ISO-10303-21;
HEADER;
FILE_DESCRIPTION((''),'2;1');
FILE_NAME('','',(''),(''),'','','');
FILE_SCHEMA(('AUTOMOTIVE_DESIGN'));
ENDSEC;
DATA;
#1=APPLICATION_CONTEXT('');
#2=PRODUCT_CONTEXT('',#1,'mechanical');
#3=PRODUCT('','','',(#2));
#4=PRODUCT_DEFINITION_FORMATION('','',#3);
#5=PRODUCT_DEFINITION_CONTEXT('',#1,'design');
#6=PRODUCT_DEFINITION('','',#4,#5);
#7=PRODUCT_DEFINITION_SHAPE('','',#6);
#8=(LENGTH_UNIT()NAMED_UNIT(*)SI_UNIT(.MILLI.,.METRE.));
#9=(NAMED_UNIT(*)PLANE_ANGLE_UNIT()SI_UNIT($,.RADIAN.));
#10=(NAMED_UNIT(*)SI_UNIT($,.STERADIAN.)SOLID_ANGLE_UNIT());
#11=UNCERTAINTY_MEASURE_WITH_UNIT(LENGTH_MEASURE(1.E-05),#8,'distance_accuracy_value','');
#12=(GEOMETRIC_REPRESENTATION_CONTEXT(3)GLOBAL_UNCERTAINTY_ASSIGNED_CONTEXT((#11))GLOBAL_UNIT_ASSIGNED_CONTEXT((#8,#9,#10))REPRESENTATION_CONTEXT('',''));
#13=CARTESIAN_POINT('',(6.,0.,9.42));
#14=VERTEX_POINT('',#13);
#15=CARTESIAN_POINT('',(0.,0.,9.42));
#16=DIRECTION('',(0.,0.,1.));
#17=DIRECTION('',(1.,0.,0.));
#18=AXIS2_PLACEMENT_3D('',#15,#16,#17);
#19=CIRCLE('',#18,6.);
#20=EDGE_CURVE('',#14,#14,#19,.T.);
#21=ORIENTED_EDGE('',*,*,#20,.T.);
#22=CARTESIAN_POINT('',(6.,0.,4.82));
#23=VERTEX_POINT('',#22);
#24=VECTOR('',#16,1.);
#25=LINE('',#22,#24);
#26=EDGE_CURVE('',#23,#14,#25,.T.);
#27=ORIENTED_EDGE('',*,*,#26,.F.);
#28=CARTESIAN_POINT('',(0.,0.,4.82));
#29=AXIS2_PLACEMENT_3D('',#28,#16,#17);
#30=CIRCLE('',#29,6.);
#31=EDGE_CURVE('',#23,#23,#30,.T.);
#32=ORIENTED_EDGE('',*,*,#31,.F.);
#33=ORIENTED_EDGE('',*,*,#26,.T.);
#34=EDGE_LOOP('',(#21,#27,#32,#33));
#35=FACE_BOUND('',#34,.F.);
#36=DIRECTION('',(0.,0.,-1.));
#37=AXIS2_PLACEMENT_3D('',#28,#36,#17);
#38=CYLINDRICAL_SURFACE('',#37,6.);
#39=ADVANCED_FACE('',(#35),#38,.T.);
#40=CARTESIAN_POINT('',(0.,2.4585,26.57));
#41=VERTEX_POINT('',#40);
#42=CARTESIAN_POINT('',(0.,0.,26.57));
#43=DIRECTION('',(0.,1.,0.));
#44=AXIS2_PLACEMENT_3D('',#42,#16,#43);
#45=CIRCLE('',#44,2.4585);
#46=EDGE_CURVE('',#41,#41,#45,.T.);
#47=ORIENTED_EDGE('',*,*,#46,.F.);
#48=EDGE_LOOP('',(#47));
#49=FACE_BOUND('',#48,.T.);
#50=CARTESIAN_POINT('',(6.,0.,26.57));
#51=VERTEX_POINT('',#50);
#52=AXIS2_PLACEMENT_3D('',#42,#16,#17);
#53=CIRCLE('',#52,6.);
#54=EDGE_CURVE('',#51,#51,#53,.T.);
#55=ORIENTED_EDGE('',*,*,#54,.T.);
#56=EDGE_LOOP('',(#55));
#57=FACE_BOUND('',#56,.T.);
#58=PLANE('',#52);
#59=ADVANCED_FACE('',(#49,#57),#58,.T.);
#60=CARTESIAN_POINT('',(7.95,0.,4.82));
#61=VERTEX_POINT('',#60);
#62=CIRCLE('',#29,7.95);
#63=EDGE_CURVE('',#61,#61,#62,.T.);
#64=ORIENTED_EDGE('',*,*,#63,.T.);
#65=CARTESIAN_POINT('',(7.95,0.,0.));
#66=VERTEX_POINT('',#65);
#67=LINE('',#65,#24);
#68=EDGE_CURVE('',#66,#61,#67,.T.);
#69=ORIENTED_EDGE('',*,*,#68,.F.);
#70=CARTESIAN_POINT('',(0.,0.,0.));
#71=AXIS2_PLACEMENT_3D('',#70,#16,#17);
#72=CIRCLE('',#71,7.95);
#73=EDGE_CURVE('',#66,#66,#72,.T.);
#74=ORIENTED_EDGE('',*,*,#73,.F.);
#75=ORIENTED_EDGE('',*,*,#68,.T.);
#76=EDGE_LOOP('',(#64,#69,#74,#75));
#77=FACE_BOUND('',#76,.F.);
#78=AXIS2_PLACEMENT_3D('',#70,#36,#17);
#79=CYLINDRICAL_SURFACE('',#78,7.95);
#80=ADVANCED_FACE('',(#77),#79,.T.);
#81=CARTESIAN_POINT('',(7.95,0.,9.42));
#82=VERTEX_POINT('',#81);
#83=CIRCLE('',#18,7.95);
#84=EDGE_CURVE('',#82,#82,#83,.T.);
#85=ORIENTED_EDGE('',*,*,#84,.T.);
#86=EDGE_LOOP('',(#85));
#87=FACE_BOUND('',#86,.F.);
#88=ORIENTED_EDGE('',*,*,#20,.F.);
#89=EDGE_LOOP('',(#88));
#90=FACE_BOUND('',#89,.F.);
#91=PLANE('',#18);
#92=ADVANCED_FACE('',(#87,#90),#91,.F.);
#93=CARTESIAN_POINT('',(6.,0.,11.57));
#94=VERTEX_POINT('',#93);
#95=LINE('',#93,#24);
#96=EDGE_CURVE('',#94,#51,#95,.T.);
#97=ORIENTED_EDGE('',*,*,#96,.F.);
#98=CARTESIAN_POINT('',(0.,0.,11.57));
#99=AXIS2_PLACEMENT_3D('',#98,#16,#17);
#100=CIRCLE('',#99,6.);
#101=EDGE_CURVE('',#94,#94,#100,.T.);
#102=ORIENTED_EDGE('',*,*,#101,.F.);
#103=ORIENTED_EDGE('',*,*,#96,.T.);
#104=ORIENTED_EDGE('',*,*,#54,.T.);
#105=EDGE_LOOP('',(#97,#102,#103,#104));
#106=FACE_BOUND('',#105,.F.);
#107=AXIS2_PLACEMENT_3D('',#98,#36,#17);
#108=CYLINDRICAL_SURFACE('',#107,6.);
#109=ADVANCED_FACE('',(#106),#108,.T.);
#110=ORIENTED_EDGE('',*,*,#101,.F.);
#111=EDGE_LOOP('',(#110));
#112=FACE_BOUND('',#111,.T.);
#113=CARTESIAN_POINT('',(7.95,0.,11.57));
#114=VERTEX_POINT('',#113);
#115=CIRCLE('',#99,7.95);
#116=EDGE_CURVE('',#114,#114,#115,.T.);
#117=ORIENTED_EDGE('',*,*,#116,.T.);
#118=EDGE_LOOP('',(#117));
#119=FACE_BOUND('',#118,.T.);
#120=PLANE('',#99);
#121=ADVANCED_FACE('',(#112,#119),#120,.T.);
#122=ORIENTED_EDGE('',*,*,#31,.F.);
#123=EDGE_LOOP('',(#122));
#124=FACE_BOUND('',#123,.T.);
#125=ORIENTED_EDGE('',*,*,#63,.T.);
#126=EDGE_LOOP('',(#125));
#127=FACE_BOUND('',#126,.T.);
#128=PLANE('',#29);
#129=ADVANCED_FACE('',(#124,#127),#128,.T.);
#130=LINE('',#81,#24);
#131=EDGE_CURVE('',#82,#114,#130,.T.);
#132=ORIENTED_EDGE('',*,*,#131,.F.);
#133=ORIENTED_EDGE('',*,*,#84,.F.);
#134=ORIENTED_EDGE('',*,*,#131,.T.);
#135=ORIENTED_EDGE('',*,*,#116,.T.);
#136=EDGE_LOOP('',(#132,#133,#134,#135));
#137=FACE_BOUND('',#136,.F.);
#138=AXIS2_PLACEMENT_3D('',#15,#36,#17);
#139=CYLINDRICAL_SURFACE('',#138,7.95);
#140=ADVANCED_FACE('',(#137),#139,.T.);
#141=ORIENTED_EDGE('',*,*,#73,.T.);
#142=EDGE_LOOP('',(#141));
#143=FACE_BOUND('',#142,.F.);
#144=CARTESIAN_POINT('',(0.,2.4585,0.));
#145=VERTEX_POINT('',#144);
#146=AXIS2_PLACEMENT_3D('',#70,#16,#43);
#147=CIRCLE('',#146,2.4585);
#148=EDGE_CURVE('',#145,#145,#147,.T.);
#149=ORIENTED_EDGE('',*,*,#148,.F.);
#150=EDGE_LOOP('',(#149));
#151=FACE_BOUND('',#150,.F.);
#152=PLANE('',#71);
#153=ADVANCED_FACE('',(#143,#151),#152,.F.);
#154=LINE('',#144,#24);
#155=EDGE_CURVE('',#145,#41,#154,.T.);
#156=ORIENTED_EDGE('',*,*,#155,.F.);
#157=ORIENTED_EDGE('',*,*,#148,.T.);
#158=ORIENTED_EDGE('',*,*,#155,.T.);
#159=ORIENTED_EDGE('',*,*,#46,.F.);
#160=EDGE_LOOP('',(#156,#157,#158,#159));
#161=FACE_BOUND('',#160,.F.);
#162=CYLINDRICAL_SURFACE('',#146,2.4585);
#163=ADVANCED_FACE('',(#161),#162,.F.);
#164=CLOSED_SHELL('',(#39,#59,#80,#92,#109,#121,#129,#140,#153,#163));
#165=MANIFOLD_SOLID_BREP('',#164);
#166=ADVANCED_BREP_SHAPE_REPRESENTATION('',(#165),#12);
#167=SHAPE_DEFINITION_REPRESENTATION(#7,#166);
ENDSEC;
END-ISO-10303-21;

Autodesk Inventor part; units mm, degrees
ref_plane "YZ Plane" through (0, 0, 0) normal (1, 0, 0) x (0, 1, 0)
ref_plane "XZ Plane" through (0, 0, 0) normal (0, 1, 0) x (-1, 0, 0)
ref_plane "XY Plane" through (0, 0, 0) normal (0, 0, 1) x (1, 0, 0)
sketch "Sketch1" plane through (0, 0, 0) normal (0, 0, 1) x (1, 0, 0)
  circle A0 centre (0, 0) radius 7.95
  dimension "d0" = 15.9
extrude "Extrusion1" add sketch "Sketch1" along normal blind 4.82
sketch "Sketch2" plane through (0, 0, 4.82) normal (0, 0, 1) x (1, 0, 0)
  circle A0 centre (0, 0) radius 7.95 projected
  circle A1 centre (0, 0) radius 6
  dimension "d3" = 12
extrude "Extrusion2" add sketch "Sketch2" along normal blind 4.6 contours A1
sketch "Sketch3" plane through (0, 0, 9.42) normal (0, 0, 1) x (1, 0, 0)
  circle A0 centre (0, 0) radius 6 projected
  circle A1 centre (0, 0) radius 7.95
  circle A2 centre (0, 0) radius 7.95 projected
extrude "Extrusion3" add sketch "Sketch3" along normal blind 2.15 contours A0 | A1
sketch "Sketch4" plane through (0, 0, 11.57) normal (0, 0, 1) x (1, 0, 0)
  circle A0 centre (0, 0) radius 7.95 projected
  circle A1 centre (0, 0) radius 6
  dimension "d8" = 12
extrude "Extrusion4" add sketch "Sketch4" along normal blind 15 contours A1
sketch "Sketch5" plane through (0, 0, 0) normal (0, 0, -1) x (-1, 0, 0)
  circle A0 centre (0, 0) radius 7.95 projected
hole "Hole1" at (0, 0, 0) direction (0, 0, 1) diameter 4.917 end through all thread size "M6x1" class "6H" standard "ANSI Metric M Profile"
properties part number "peek-insulator"
